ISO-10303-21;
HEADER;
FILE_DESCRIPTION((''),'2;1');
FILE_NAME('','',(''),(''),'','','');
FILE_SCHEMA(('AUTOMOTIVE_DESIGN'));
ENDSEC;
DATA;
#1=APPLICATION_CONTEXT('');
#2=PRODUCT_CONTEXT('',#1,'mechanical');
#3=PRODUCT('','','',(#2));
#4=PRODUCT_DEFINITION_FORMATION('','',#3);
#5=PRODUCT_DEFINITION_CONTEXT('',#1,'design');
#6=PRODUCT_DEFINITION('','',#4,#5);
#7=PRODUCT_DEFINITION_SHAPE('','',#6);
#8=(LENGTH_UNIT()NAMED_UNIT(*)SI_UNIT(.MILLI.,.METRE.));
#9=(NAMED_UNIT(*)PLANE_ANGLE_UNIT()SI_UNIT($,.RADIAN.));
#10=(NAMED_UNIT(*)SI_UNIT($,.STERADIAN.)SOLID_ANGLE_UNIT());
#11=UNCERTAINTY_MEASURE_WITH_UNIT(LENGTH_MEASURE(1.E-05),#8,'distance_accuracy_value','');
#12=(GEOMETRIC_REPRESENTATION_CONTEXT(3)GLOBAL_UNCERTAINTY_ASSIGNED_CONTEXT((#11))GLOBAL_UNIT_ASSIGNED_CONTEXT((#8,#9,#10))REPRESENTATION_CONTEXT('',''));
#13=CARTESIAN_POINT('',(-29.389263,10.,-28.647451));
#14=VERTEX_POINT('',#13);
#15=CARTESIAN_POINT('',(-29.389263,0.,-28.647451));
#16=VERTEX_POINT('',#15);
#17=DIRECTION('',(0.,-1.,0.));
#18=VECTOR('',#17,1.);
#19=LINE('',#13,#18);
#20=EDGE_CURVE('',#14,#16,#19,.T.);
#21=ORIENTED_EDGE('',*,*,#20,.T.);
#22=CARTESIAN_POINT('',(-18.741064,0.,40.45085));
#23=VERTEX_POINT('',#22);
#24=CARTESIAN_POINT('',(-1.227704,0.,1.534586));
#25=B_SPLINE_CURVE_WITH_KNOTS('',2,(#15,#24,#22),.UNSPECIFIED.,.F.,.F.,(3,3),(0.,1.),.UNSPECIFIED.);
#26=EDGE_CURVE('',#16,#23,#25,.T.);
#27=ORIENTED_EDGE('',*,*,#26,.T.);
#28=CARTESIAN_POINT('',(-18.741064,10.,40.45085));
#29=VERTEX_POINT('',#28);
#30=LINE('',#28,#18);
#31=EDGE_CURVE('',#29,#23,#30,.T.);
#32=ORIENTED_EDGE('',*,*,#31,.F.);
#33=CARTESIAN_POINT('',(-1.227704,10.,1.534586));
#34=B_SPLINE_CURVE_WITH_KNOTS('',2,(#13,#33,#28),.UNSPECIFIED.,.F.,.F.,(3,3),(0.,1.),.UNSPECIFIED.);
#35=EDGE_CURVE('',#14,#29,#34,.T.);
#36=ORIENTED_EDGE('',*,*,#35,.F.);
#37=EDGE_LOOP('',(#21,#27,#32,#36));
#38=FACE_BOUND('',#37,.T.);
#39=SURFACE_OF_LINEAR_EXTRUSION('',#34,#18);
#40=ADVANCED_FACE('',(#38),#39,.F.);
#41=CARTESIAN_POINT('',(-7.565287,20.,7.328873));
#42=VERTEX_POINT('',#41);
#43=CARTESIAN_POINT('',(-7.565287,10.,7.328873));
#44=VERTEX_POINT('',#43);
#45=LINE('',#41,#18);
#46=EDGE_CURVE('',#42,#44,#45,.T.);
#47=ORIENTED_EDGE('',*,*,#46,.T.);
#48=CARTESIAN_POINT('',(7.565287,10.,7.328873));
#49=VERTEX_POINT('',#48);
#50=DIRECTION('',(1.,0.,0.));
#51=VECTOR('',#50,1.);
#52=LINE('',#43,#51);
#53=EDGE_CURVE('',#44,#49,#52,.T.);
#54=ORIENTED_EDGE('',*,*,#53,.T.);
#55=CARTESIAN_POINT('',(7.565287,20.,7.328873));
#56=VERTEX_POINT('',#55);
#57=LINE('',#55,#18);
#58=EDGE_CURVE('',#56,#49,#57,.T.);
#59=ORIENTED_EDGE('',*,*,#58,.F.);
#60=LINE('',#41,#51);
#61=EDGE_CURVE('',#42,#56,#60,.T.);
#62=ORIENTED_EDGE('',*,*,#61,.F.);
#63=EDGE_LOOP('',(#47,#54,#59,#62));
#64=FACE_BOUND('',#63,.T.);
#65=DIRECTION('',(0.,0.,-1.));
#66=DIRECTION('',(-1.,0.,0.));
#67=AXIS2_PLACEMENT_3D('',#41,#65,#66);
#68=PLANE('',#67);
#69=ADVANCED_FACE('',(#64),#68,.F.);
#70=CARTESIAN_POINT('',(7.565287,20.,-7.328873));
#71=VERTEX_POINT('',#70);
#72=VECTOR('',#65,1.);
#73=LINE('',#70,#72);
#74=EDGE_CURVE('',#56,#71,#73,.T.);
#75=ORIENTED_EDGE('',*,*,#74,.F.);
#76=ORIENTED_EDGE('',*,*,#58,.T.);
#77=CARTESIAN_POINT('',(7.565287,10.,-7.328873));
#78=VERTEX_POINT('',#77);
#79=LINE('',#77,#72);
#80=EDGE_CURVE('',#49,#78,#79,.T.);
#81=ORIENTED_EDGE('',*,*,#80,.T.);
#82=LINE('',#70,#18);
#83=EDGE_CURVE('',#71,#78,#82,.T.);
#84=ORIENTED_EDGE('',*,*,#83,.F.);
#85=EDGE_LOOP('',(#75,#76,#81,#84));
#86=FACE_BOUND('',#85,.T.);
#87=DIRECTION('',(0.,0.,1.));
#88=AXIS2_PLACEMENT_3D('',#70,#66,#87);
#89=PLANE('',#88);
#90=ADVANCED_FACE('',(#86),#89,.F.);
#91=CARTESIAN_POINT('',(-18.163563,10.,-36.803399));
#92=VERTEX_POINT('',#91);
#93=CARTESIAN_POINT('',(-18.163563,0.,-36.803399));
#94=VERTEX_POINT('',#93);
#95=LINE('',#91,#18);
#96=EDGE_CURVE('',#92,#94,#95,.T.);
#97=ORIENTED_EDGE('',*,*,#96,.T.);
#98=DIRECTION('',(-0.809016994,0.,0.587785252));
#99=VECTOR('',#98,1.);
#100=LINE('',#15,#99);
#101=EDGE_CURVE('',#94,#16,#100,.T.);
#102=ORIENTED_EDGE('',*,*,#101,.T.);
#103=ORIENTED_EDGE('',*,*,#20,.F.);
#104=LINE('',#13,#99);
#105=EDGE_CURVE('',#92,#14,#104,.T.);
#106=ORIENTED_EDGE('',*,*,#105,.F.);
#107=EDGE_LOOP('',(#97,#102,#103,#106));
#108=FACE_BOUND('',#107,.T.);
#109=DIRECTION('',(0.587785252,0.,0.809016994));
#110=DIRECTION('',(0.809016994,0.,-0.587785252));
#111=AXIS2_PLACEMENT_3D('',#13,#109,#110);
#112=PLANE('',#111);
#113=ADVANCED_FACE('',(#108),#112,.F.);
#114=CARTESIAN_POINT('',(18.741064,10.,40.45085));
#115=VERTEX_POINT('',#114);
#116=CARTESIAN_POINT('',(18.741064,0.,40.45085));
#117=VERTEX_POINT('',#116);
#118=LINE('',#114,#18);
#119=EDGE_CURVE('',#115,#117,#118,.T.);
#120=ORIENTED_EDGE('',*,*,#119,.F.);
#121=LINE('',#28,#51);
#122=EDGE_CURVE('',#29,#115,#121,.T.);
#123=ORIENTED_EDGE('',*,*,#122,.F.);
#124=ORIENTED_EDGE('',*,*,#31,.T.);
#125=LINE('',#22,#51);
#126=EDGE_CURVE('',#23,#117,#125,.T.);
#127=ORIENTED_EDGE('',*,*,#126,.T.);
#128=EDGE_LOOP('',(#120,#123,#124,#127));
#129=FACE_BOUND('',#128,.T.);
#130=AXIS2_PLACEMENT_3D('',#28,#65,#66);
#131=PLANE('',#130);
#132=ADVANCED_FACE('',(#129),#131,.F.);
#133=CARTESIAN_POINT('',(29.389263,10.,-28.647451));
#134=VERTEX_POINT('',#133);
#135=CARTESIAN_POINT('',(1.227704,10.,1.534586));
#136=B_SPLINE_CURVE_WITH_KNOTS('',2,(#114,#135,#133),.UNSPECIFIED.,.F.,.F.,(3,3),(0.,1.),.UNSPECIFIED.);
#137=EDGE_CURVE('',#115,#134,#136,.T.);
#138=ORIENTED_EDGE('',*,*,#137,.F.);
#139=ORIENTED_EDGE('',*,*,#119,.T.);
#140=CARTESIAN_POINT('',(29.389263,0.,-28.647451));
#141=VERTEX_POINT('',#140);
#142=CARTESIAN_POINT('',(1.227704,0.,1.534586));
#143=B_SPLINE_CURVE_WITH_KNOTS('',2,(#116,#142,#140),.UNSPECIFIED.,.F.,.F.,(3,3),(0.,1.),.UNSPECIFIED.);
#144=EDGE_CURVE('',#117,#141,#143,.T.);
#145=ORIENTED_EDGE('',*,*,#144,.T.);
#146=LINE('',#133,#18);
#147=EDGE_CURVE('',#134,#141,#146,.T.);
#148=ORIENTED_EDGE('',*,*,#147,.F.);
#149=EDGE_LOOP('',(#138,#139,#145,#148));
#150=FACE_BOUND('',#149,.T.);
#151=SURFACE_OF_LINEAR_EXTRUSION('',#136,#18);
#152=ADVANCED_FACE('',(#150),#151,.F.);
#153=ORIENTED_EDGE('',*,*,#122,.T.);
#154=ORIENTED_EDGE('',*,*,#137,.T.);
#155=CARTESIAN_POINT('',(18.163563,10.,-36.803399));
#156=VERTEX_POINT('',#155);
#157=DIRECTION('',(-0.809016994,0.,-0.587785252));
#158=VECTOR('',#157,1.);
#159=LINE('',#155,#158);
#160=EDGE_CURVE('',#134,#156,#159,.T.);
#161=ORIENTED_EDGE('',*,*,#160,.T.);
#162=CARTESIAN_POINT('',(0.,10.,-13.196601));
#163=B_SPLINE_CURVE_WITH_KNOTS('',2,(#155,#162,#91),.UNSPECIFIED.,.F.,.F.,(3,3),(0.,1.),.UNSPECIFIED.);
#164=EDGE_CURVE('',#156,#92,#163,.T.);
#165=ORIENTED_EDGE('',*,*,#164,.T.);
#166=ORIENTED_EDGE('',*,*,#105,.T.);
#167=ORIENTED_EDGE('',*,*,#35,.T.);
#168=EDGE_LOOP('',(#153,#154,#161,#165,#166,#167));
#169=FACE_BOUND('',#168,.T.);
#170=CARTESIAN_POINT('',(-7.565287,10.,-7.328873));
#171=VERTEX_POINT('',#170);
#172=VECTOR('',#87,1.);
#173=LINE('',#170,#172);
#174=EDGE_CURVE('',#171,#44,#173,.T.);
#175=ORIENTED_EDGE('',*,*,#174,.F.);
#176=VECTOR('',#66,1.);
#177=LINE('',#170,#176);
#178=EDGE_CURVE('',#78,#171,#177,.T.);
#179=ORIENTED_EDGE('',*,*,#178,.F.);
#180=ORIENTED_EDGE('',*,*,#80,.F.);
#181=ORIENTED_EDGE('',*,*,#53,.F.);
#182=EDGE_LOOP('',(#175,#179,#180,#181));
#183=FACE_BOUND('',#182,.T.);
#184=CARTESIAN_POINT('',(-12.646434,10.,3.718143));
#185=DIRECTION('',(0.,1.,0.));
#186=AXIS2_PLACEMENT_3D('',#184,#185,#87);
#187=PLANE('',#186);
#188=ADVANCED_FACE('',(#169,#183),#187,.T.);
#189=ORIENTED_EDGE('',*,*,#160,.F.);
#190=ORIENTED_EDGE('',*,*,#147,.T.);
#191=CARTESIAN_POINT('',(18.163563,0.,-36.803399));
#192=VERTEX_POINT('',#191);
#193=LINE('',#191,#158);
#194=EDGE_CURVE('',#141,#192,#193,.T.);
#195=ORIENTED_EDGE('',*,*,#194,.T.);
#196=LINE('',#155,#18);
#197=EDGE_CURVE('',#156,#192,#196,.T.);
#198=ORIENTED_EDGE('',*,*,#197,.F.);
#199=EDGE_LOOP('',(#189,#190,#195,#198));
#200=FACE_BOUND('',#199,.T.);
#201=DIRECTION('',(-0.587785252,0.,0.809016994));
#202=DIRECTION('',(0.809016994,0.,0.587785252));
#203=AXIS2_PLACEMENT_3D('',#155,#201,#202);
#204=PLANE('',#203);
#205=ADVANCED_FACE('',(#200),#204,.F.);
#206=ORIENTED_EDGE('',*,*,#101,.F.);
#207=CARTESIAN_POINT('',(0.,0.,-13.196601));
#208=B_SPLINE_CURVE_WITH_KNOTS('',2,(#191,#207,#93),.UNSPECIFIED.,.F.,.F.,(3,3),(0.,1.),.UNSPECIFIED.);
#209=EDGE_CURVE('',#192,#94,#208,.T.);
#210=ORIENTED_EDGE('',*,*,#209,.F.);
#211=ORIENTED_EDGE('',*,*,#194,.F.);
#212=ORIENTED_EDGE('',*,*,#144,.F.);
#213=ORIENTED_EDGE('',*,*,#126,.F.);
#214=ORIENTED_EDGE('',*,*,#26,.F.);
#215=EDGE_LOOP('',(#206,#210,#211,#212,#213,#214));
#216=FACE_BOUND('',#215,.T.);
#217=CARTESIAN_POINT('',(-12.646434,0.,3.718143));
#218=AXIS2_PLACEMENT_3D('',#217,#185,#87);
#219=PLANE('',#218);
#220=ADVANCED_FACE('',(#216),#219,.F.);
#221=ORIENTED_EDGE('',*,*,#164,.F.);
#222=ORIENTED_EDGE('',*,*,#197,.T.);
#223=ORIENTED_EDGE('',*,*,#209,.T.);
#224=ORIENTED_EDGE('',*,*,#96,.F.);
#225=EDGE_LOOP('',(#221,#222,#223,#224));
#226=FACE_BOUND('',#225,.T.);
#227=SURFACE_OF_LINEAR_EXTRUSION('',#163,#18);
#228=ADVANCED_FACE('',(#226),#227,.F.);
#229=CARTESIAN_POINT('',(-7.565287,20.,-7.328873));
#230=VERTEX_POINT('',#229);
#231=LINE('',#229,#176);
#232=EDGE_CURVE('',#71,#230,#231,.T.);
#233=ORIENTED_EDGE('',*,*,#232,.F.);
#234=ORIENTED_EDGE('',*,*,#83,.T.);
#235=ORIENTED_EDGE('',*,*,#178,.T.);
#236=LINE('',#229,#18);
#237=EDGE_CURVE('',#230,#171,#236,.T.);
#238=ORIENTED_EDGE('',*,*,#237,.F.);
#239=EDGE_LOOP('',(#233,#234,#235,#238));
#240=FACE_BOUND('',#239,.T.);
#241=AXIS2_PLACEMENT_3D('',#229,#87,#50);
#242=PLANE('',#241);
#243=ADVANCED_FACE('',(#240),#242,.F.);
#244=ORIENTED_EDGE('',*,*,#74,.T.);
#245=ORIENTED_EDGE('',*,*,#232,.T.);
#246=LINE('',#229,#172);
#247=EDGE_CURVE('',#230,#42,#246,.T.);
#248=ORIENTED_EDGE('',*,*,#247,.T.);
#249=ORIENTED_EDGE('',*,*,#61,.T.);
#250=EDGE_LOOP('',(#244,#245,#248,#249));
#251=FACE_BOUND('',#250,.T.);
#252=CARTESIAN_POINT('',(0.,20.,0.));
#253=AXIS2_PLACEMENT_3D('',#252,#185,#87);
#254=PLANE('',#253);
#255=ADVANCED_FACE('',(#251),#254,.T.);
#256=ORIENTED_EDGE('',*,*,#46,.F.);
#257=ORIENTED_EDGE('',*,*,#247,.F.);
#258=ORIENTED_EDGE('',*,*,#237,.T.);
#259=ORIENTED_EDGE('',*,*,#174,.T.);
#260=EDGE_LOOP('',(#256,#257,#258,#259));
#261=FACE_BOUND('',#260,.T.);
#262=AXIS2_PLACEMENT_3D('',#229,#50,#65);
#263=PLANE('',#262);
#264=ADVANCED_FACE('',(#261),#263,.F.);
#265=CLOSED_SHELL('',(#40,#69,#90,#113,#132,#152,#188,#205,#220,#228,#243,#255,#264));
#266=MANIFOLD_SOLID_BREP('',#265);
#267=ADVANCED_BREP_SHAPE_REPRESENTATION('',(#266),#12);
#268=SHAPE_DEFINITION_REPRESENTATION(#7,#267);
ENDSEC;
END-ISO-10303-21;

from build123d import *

# Parameters (mm, degrees)
BOSS_EXTRUDE1_DEPTH = 10
SKETCH2_W           = 15.13057465
SKETCH2_H           = 14.657745542
BOSS_EXTRUDE4_DEPTH = 10


with BuildPart() as part:
    # Sketch1 → Boss-Extrude1 (new body)
    with BuildSketch(Plane(origin=(0, 0, 0), x_dir=(1, 0, 0), z_dir=(0, 1, 0))):
        with BuildLine():
            Line((-18.741064285, -40.450849719), (18.741064285, -40.450849719))
            add(Edge.make_bspline(
                [(29.389262615, 28.647450844), (1.227704009, -1.534586439), (18.741064285, -40.450849719)],
                knots=[0, 0, 0, 1, 1, 1], degree=2))
            Line((29.389262615, 28.647450844), (18.1635632, 36.803398875))
            add(Edge.make_bspline(
                [(-18.1635632, 36.803398875), (0, 13.196601125), (18.1635632, 36.803398875)],
                knots=[0, 0, 0, 1, 1, 1], degree=2))
            Line((-18.1635632, 36.803398875), (-29.389262615, 28.647450844))
            add(Edge.make_bspline(
                [(-29.389262615, 28.647450844), (-1.227704009, -1.534586439), (-18.741064285, -40.450849719)],
                knots=[0, 0, 0, 1, 1, 1], degree=2))
        make_face()
    extrude(amount=BOSS_EXTRUDE1_DEPTH)

    # Sketch2 → Boss-Extrude4 (add)
    with BuildSketch(Plane(origin=(0, 10, 0), x_dir=(1, 0, 0), z_dir=(0, 1, 0))):
        Rectangle(SKETCH2_W, SKETCH2_H)
    extrude(amount=BOSS_EXTRUDE4_DEPTH)


solid = part.part
